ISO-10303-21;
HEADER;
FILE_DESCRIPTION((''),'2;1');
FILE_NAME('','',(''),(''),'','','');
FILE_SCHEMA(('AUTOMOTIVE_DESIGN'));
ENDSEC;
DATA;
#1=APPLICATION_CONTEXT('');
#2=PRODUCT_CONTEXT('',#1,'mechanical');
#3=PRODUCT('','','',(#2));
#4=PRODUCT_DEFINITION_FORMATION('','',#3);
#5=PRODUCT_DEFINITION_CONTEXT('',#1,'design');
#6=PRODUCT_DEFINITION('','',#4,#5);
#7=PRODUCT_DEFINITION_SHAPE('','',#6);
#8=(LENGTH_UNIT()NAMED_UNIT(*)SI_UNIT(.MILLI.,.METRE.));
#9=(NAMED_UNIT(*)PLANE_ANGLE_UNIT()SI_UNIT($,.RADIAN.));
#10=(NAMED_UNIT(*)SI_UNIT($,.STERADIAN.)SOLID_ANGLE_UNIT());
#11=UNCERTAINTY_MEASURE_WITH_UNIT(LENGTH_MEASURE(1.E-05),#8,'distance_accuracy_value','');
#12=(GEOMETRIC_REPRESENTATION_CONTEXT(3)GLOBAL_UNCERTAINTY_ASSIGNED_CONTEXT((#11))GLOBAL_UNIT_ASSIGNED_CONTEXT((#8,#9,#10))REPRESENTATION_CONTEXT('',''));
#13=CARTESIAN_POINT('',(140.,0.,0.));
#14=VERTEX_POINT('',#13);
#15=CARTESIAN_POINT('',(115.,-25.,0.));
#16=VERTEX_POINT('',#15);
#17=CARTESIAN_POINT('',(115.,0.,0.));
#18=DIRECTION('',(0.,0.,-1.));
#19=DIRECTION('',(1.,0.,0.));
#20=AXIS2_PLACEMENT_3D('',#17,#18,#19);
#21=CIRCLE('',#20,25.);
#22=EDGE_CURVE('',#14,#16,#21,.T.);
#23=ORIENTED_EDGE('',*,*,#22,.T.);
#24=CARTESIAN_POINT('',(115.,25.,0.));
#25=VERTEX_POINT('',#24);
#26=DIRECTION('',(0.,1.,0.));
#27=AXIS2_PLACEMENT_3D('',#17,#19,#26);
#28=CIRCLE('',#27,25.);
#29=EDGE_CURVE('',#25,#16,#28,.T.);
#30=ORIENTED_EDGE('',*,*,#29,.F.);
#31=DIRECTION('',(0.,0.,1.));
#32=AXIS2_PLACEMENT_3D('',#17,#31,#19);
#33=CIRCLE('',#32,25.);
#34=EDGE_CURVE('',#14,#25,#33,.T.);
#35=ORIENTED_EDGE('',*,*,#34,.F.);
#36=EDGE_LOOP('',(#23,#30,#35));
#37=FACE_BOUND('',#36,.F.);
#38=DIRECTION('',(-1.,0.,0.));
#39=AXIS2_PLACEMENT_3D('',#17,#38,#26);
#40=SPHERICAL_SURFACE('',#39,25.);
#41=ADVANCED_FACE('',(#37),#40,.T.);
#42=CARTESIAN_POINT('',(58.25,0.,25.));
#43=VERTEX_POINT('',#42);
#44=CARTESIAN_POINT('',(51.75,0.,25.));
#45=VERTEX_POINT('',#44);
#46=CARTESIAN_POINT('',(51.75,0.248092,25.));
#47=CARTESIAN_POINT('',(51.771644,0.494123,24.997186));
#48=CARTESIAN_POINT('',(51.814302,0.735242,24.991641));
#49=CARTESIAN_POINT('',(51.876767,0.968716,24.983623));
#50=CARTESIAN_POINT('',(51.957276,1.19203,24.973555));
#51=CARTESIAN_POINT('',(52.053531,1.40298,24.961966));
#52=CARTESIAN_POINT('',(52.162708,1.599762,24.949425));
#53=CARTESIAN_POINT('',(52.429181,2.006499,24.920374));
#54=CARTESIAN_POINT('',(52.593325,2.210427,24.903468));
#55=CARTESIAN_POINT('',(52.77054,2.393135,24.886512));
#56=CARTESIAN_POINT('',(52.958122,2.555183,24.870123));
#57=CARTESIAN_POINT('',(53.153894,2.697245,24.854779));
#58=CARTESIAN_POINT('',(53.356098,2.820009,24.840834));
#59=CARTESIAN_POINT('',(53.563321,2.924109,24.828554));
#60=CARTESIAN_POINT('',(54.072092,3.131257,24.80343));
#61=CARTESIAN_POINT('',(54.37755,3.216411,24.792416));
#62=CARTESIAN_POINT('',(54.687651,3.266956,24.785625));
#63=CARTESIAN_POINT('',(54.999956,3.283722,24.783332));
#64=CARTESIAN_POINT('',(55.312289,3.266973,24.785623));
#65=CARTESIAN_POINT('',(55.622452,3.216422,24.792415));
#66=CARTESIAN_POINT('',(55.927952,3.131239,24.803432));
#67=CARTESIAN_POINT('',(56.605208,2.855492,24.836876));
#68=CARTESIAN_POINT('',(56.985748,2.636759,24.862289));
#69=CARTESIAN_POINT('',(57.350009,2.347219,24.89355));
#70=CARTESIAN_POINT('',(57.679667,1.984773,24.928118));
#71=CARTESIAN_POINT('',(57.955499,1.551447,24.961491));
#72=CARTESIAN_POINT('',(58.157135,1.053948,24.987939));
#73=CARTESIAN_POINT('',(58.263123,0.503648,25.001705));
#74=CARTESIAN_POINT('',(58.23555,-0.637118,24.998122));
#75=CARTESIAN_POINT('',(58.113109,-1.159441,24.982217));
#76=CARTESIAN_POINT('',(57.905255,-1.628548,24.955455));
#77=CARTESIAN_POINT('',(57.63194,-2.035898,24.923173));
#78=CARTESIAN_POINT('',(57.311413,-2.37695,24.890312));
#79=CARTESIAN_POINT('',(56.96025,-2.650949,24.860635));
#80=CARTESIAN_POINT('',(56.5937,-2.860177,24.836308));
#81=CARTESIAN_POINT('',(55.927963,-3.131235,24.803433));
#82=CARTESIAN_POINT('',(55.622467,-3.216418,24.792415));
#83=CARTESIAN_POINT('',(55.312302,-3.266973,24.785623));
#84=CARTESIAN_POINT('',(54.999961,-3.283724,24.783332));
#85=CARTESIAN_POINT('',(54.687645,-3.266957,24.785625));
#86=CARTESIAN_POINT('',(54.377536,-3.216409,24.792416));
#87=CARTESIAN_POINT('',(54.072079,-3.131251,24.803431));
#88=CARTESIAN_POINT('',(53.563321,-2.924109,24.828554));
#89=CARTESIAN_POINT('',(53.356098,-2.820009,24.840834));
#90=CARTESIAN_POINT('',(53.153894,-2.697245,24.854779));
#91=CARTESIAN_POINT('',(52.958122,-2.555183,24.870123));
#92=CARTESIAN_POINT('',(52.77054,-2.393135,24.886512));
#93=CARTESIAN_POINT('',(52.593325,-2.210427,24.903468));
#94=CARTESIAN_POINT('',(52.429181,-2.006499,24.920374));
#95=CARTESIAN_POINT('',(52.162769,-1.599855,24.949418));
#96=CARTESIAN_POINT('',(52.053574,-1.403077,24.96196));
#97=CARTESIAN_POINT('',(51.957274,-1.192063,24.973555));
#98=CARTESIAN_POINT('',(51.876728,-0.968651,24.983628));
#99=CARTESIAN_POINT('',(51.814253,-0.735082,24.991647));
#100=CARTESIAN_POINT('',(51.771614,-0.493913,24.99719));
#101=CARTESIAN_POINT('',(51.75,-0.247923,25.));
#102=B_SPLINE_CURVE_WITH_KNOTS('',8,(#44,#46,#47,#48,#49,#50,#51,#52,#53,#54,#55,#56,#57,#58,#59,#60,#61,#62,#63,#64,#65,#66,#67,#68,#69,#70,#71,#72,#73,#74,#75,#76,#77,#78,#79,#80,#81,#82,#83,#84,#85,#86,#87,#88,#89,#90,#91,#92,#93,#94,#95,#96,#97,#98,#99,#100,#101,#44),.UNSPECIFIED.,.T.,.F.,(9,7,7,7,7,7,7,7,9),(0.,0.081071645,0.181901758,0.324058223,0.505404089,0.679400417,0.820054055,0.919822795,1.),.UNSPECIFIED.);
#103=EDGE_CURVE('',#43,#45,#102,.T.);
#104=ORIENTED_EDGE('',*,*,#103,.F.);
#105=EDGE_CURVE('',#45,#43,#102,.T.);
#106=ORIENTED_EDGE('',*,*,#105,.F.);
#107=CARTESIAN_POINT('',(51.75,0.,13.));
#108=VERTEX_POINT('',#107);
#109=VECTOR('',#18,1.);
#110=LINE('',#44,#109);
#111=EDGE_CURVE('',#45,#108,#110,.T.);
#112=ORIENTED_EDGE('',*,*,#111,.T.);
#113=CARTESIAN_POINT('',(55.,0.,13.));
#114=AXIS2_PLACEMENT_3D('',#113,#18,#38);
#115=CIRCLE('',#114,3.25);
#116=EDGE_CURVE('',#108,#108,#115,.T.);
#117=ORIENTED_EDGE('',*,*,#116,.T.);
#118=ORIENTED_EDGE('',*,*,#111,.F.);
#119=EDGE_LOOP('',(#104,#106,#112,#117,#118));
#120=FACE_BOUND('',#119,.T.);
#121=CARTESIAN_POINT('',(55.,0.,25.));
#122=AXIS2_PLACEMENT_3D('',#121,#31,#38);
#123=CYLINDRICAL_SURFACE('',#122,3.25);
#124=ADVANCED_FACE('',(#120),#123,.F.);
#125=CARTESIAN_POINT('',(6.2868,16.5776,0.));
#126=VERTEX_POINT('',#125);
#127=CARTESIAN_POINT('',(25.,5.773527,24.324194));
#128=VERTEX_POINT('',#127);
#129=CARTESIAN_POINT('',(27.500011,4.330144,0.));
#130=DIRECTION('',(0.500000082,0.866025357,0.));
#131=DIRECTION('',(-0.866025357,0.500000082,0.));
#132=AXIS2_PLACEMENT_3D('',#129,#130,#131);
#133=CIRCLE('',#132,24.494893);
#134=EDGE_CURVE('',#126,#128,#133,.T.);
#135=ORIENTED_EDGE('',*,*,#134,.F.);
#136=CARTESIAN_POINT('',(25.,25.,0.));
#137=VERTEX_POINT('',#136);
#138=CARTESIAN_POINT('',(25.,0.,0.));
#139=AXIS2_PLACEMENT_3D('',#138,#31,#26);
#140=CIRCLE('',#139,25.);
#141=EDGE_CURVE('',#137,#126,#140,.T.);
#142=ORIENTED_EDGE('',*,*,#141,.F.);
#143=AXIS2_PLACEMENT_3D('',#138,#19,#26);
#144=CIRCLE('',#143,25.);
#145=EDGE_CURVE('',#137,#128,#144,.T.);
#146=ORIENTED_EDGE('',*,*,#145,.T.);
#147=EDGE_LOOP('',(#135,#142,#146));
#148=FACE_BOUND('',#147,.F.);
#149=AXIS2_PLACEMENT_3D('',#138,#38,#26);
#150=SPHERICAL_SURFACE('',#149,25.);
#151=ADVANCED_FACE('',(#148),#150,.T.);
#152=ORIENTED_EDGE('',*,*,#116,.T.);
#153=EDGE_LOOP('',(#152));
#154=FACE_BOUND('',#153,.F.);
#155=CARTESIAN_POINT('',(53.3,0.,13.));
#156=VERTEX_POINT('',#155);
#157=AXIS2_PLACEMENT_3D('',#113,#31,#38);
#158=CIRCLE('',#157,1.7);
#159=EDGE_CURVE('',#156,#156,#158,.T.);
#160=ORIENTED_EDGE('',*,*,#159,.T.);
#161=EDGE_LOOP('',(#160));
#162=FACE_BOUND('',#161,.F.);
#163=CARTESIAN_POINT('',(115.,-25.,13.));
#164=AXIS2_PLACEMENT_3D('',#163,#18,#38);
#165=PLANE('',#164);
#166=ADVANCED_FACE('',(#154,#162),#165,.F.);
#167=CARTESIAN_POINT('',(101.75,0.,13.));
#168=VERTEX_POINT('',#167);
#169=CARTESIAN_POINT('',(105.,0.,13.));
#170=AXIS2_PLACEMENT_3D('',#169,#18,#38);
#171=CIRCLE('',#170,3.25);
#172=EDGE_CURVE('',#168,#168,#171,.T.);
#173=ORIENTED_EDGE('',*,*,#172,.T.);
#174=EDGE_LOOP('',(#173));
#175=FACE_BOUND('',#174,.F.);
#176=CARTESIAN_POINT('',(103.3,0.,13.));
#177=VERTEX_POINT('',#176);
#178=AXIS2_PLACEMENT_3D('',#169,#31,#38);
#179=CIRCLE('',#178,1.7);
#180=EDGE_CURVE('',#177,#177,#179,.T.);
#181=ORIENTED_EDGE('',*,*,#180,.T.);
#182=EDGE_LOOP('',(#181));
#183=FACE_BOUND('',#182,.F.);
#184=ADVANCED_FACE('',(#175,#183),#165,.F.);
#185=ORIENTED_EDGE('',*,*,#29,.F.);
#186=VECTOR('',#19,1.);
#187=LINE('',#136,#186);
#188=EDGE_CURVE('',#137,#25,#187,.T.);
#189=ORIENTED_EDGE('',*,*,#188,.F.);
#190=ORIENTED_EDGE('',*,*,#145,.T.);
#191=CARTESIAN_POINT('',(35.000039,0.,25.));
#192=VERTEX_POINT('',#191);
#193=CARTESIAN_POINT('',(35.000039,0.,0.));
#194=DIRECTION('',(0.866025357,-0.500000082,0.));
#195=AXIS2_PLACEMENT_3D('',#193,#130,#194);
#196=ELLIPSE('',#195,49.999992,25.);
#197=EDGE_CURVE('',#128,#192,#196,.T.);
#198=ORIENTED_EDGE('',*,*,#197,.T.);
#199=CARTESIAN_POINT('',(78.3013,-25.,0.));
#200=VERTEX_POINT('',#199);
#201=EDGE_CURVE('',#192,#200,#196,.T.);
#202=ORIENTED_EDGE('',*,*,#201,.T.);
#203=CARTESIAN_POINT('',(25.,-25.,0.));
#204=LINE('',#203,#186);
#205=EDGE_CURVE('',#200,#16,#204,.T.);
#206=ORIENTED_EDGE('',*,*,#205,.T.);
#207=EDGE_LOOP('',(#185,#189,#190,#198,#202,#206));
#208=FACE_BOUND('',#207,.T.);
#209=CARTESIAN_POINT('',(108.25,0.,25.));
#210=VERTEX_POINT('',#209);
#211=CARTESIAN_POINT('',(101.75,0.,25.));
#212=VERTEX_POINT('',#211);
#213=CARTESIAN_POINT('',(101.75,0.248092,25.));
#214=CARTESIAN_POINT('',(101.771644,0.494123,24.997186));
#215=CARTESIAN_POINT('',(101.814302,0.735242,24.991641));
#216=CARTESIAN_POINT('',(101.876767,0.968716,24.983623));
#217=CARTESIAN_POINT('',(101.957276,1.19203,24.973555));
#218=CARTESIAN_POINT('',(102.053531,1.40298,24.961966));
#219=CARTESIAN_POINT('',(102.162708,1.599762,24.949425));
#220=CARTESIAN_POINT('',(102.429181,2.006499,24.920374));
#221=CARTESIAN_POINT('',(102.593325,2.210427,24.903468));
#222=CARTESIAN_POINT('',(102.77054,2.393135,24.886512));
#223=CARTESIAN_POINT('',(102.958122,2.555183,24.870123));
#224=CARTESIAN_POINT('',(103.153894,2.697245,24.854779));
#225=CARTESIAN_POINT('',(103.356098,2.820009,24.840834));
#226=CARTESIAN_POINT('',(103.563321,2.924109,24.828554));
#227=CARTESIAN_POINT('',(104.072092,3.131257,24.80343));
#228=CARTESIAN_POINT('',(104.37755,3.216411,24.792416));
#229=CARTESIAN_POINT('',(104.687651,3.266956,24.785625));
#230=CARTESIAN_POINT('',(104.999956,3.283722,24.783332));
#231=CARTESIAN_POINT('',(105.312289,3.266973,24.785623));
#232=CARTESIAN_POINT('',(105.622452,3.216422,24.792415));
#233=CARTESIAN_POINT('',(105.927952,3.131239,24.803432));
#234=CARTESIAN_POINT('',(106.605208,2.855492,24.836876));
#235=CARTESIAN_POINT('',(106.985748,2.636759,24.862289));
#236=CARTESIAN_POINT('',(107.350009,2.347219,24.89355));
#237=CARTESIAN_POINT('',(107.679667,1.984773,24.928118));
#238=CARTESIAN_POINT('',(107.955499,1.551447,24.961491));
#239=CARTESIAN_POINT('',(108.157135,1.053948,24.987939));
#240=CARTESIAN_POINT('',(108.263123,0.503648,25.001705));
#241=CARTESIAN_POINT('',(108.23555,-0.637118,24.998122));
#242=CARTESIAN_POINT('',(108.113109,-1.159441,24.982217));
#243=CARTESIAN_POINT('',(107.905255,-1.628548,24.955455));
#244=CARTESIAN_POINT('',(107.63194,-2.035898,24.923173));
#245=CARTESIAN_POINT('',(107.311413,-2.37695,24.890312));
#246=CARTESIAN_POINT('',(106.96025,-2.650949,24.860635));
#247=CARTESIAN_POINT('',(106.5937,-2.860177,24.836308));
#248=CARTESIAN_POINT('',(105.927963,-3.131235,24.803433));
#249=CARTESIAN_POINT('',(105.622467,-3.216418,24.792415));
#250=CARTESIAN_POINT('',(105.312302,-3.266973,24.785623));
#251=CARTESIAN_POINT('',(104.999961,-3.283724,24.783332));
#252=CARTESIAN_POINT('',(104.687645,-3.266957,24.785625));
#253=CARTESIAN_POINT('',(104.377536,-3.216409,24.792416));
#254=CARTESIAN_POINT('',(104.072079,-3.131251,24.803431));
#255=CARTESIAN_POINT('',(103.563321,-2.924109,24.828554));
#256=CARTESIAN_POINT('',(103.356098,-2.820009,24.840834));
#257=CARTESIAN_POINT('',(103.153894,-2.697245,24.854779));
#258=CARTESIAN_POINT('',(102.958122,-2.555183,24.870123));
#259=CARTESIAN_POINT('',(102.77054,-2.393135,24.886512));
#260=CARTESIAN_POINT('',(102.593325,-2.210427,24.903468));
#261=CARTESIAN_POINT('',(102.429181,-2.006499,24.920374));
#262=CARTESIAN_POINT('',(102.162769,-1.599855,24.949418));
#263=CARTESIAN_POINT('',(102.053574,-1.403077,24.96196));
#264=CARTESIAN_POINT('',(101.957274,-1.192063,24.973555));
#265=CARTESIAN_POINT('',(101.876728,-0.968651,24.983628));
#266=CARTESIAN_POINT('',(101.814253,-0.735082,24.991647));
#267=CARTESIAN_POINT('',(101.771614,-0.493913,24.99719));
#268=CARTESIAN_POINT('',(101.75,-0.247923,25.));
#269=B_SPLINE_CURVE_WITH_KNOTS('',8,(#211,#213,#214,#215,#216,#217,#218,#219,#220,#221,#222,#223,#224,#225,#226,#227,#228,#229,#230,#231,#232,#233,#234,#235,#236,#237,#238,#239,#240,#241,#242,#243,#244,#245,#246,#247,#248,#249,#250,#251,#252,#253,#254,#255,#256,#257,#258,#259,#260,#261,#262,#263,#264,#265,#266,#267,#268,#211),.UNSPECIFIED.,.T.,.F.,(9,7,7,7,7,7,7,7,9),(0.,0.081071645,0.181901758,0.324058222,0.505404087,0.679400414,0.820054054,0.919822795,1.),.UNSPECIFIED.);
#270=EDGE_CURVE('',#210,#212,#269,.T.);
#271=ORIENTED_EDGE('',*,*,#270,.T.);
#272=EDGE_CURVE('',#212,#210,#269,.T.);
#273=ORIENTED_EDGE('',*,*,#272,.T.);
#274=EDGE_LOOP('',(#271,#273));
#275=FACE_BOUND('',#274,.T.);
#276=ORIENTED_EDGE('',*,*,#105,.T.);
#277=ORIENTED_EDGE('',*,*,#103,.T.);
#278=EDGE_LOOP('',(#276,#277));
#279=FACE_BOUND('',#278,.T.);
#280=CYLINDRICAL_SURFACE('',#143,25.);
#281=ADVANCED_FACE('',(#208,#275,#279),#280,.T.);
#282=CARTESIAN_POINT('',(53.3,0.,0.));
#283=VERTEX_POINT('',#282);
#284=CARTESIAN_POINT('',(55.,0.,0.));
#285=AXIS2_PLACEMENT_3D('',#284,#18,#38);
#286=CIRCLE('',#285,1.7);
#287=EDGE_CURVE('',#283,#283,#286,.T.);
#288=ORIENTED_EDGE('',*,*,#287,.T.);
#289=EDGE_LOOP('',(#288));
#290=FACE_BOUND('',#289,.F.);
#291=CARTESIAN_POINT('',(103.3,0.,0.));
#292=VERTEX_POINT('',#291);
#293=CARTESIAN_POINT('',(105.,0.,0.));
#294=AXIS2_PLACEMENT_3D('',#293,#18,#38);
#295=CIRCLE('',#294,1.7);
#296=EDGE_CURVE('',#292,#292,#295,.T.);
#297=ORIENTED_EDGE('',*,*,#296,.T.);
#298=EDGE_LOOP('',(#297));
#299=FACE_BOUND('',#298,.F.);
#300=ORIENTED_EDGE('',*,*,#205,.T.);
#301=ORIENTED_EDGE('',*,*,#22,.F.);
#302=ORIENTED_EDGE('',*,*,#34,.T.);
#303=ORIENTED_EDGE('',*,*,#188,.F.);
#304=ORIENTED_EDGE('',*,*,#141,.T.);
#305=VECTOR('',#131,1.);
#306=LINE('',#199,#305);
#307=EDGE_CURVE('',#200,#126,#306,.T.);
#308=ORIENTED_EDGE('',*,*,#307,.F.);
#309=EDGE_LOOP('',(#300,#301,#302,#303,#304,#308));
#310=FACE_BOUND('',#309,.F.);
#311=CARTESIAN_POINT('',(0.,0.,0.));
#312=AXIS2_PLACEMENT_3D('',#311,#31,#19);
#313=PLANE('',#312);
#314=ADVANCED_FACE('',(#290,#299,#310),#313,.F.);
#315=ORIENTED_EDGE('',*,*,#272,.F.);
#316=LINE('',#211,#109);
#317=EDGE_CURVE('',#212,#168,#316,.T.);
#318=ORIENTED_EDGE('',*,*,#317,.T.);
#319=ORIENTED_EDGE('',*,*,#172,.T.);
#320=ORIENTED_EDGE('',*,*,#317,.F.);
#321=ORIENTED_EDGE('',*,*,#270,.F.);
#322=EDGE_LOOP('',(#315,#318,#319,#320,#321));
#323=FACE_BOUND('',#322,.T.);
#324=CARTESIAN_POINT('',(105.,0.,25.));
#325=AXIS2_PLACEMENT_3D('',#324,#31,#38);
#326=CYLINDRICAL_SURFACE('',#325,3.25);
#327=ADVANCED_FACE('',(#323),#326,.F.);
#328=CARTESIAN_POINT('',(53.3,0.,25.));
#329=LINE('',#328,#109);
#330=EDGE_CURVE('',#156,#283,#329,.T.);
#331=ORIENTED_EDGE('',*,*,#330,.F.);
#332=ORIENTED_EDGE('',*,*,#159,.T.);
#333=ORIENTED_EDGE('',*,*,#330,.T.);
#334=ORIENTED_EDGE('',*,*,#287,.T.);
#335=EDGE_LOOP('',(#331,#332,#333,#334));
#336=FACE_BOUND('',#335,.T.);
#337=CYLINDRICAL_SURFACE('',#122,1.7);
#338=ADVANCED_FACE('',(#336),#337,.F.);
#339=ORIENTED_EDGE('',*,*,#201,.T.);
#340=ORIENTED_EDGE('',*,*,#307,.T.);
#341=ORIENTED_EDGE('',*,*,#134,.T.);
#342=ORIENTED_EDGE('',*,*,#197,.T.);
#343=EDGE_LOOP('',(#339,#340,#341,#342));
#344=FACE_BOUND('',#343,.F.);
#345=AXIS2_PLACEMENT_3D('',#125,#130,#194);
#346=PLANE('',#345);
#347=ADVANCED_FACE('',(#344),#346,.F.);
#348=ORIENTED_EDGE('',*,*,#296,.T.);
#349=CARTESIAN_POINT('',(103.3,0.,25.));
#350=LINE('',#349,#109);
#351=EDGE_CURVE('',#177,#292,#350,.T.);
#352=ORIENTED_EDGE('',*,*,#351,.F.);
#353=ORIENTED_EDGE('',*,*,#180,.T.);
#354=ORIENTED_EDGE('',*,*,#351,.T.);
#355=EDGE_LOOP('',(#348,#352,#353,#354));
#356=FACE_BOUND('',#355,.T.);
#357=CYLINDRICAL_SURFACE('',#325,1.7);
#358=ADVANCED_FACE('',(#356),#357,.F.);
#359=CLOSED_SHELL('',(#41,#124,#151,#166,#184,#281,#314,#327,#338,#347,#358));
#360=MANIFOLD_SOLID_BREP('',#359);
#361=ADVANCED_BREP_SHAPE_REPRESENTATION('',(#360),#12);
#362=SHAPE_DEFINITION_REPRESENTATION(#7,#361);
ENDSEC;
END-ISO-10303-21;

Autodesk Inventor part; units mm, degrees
ref_plane "Plan YZ" through (0, 0, 0) normal (1, 0, 0) x (0, 1, 0)
ref_plane "Plan XZ" through (0, 0, 0) normal (0, 1, 0) x (-1, 0, 0)
sketch "Esquisse1" plane through (0, 0, 0) normal (0, 0, 1) x (1, 0, 0)
  arc A0 (25, 25) -> (0, 0) centre (25, 0) ccw
  line L0 (25, 25) -> (115, 25)
  arc A1 (140, 0) -> (115, 25) centre (115, 0) ccw
  line L1 (0, 0) -> (132.1239, 0) construction
  line L2 (0, 0) -> (140, 0)
  dimension "d0" = 25
  dimension "d1" = 90
revolve "Révolution1" add sketch "Esquisse1" angle 180 about axis through (0, 0, 0) along (1, 0, 0)
sketch "Esquisse6" plane through (115, 25, 0) normal (0, 0, -1) x (-1, 0, 0)
  line L0 (36.6987, -50) -> (51.6987, -75.9808)
  line L1 (51.6987, -75.9808) -> (115, -39.4338)
  arc A0 (90, -50) -> (90, 0) centre (90, -25) ccw projected
  line L2 (90, 0) -> (0, 0) projected
  line L3 (115, -25) -> (-35.1202, -25) construction
  line L4 (0, -50) -> (90, -50) projected
  line L5 (108.7132, -8.4224) -> (36.6987, -50)
  line L6 (108.7132, -8.4224) -> (115, -8.4224)
  line L7 (115, -8.4224) -> (115, -39.4338)
  dimension "d17" = 30
  dimension "d18" = 30
extrude "Extrusion1" cut sketch "Esquisse6" against normal blind 25
ref_plane "Plan de construction1" through (115, -25, 25) normal (0, 0, -1) x (-1, 0, 0)
sketch "Esquisse7" plane through (115, -25, 25) normal (0, 0, -1) x (-1, 0, 0)
  circle A0 centre (10, 25) radius 1.7
  circle A1 centre (60, 25) radius 1.7
  line L0 (0, 50) -> (0, 0) projected
  line L1 (10, 25) -> (10, 0) construction
  line L2 (10, 25) -> (10, 50) construction
  line L3 (60, 25) -> (60, 0) construction
  line L4 (60, 25) -> (60, 50) construction
  line L5 (0, 50) -> (95.4771, 50) construction
  line L6 (0, 0) -> (90, 0) construction
  point P0 (115, 25)
  dimension "d7" = 10
  dimension "d8" = 50
  dimension "d9" = 3.4
  dimension "d10" = 3.4
extrude "Extrusion2" cut sketch "Esquisse7" along normal blind 25
sketch "Esquisse8" plane through (115, -25, 25) normal (0, 0, -1) x (-1, 0, 0)
  circle A0 centre (10, 25) radius 3.25
  circle A1 centre (60, 25) radius 3.25
  circle A2 centre (10, 25) radius 1.7 projected
  circle A3 centre (60, 25) radius 1.7 projected
  point P0 (115, 25)
  dimension "d13" = 6.5
  dimension "d14" = 6.5
extrude "Extrusion3" cut sketch "Esquisse8" along normal blind 12 contours A0 | A1 | A2 | A3
equation "\"d10\" = d9"
equation "\"d14\" = d13"
properties part number "P1704_003" material "."
